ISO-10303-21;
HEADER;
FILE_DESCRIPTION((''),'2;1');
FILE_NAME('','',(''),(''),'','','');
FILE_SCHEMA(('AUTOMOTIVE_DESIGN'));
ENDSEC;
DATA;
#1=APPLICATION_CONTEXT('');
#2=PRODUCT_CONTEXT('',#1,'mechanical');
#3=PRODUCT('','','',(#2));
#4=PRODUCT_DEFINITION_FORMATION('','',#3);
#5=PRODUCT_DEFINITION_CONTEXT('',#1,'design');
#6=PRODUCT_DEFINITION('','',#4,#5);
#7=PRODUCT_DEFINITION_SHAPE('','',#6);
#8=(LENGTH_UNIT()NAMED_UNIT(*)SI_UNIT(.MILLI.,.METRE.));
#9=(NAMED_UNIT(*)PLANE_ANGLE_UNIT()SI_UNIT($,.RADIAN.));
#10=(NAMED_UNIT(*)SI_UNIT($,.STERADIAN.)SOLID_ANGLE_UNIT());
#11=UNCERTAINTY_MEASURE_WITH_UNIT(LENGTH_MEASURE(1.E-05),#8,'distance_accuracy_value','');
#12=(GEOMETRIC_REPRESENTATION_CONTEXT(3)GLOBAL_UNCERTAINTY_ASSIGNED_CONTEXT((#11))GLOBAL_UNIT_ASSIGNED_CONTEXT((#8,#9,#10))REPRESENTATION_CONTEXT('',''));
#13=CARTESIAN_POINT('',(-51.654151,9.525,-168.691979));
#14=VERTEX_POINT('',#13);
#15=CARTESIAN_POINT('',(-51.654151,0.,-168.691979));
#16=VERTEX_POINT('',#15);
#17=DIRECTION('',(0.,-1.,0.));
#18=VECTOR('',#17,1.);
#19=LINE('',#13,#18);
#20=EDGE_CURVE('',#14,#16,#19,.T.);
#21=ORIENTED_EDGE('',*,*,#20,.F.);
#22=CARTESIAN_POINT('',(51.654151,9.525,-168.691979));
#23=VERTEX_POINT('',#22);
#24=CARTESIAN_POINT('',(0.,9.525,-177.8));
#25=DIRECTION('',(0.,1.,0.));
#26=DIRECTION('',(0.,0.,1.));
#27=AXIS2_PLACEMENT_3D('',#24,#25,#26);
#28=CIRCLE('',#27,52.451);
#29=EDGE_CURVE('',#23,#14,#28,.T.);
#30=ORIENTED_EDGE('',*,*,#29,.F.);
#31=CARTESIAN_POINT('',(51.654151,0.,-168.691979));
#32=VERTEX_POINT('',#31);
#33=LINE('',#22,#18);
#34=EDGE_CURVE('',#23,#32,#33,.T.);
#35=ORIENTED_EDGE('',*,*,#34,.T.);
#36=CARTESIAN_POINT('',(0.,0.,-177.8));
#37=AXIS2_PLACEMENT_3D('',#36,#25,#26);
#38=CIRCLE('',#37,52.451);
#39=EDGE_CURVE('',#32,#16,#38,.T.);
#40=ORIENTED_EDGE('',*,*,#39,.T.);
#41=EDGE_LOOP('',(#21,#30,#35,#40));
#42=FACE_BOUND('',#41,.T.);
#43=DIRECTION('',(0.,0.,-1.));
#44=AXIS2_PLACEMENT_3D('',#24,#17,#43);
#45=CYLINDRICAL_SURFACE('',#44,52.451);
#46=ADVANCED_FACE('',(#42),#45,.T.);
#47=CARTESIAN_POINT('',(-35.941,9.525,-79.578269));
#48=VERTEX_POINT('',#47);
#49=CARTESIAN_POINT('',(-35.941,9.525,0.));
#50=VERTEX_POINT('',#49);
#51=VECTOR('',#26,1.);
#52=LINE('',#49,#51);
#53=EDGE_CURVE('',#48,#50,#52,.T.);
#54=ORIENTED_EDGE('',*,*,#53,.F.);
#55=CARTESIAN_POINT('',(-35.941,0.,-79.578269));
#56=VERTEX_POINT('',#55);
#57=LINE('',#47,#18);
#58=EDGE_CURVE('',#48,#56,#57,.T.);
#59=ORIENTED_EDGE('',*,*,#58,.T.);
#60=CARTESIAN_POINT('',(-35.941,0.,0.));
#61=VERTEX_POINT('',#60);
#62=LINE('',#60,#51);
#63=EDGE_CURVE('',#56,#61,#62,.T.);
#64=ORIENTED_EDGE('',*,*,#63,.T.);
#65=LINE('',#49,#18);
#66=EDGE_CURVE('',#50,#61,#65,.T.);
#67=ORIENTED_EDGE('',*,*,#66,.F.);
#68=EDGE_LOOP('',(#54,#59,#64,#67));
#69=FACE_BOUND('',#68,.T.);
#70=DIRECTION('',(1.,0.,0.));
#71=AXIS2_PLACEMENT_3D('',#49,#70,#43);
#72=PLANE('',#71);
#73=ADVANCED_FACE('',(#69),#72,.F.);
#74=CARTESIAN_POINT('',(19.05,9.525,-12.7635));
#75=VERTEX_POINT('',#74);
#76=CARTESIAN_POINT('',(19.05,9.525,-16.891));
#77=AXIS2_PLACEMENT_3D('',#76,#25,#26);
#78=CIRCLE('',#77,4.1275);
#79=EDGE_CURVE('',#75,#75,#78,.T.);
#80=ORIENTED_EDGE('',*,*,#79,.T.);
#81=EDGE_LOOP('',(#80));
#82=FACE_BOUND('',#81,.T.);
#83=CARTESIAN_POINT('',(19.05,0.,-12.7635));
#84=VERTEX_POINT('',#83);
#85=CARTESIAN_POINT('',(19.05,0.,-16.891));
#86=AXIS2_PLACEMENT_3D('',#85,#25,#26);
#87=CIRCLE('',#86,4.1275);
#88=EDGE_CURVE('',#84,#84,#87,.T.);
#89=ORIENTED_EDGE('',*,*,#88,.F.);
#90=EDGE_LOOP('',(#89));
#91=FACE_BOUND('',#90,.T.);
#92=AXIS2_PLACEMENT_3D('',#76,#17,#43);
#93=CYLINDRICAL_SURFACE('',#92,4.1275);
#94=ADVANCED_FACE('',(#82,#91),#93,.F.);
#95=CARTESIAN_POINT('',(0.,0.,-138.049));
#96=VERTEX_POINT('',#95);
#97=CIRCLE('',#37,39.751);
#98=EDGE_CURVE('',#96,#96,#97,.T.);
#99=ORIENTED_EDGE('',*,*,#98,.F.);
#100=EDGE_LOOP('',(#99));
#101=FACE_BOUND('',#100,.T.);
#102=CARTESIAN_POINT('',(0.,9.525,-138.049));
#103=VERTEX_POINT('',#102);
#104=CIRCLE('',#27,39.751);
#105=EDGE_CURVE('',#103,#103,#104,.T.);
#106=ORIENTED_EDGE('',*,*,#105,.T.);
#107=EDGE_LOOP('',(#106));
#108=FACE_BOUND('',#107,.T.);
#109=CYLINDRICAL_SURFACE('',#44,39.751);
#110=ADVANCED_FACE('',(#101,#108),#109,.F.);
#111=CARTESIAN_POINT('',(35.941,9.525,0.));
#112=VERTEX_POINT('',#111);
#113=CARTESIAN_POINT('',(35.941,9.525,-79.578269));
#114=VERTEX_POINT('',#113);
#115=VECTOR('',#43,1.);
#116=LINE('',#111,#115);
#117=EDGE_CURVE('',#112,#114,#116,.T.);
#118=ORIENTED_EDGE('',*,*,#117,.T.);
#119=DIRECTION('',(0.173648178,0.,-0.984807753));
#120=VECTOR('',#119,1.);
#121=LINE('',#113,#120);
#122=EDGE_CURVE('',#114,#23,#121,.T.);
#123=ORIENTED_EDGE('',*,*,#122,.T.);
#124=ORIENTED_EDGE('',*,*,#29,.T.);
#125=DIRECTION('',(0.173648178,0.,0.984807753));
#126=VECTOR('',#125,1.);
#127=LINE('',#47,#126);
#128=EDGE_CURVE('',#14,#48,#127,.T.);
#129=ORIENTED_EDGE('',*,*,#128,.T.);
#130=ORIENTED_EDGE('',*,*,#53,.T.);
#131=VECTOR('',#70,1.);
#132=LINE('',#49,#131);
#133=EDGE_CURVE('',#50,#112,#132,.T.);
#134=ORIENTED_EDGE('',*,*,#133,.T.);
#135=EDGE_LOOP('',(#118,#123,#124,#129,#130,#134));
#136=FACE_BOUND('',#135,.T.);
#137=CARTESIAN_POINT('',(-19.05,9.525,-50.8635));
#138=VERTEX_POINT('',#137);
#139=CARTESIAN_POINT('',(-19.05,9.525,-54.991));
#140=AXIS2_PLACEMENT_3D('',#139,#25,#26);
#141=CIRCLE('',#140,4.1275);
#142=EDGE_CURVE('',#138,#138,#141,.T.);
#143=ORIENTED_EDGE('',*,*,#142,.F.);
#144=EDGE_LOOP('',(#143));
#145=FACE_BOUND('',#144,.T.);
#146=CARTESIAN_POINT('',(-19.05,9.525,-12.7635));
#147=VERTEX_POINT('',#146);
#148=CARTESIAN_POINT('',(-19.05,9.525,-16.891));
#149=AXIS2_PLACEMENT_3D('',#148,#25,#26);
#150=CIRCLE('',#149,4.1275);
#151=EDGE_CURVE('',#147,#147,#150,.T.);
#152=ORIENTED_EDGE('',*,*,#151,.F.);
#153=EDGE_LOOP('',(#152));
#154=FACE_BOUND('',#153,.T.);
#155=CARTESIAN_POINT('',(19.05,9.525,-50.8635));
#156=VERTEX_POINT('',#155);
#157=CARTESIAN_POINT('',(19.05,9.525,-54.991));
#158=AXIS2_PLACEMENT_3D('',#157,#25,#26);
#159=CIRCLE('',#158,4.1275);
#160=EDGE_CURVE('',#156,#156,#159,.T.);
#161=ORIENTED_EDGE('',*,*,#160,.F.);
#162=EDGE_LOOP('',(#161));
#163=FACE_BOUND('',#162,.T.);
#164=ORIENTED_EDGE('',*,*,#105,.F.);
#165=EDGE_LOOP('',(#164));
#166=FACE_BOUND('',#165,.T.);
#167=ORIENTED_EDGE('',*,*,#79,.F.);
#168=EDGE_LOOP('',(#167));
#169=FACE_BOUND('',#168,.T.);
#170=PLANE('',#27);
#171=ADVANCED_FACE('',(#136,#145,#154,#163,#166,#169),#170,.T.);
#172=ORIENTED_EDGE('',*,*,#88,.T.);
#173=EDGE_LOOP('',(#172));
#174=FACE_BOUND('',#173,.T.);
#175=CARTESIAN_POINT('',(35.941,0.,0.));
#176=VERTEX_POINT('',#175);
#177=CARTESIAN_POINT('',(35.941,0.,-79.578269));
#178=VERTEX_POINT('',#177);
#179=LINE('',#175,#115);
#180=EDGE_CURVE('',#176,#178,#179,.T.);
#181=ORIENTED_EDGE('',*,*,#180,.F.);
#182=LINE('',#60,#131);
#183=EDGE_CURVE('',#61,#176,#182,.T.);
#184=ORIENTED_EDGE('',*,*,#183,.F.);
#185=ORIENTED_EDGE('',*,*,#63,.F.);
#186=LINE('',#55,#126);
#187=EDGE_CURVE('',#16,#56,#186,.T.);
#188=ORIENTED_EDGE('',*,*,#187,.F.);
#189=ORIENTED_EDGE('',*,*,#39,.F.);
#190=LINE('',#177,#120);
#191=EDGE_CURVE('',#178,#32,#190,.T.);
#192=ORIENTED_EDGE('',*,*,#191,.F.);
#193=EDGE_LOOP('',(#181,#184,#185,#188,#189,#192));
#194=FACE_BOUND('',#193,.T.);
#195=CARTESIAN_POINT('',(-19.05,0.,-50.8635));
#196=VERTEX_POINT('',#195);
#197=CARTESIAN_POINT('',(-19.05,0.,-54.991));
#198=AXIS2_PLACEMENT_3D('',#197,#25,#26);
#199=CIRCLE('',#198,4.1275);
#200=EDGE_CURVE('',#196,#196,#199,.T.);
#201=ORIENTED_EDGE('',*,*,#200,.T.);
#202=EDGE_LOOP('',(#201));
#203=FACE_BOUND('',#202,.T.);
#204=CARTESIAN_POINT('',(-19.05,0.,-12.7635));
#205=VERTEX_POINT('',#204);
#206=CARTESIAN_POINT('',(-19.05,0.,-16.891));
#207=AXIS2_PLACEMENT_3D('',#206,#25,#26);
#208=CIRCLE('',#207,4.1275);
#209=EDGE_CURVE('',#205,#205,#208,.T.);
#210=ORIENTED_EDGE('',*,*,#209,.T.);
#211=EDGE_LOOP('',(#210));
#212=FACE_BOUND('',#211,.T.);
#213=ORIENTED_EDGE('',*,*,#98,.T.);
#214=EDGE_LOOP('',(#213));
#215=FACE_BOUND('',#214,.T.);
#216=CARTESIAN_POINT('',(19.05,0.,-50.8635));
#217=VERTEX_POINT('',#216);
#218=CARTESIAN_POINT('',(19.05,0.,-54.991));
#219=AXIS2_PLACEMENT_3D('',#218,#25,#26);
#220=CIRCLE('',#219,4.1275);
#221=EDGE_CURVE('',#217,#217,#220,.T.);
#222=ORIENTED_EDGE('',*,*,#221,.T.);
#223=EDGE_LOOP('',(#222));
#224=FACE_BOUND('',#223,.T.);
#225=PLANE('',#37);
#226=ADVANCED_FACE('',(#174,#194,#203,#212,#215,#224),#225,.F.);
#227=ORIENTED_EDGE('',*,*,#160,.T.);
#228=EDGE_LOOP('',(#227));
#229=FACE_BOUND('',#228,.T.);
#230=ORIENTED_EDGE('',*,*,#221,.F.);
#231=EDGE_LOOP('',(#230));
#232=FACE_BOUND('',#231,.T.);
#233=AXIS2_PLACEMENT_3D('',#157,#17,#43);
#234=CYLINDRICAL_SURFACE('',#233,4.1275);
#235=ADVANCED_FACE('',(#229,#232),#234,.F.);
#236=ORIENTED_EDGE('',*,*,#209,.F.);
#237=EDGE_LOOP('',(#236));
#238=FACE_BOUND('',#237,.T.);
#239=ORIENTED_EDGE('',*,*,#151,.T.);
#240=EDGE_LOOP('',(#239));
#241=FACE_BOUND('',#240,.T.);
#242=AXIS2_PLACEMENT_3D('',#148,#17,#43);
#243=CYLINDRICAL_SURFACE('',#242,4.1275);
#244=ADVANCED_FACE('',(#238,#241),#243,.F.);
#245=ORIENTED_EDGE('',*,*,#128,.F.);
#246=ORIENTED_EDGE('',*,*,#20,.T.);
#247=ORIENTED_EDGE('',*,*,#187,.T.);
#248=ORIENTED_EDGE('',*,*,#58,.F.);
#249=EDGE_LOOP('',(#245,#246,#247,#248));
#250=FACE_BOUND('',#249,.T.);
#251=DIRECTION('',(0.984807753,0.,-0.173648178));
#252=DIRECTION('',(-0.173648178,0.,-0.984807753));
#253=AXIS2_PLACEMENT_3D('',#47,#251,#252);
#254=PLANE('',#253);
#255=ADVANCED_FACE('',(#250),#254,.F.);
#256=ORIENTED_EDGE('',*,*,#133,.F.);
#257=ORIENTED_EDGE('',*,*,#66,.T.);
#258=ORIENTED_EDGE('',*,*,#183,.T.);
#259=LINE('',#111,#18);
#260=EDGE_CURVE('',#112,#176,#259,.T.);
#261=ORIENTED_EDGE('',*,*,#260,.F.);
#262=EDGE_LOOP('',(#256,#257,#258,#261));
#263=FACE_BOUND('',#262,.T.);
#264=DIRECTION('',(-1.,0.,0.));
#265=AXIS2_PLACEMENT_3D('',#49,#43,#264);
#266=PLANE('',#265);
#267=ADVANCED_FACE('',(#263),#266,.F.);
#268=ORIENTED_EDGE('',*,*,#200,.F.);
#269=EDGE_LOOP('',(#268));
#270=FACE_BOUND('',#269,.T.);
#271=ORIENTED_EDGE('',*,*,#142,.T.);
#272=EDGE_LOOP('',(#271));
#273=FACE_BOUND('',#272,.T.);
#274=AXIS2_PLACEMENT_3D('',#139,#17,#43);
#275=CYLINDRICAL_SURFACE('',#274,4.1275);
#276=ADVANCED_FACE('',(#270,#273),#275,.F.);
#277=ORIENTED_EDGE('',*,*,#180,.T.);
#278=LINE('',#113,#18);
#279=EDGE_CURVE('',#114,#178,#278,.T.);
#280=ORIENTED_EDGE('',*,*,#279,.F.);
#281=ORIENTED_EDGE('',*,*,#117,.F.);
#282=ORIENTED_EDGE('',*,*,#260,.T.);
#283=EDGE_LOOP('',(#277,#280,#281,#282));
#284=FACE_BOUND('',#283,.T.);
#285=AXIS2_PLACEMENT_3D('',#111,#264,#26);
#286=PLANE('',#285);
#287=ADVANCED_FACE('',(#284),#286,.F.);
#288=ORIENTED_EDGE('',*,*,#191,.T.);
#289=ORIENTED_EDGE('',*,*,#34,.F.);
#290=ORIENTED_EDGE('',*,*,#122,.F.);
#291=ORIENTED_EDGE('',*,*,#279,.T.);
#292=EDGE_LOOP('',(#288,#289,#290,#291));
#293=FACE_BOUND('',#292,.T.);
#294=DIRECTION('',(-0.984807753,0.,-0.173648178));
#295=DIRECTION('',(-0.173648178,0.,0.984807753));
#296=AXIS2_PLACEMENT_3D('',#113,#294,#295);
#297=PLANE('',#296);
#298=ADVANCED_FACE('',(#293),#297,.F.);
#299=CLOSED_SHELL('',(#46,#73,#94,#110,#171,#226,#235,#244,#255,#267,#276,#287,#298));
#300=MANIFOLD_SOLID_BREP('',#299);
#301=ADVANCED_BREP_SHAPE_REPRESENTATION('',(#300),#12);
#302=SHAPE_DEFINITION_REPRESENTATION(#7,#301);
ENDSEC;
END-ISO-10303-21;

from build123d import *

# Parameters (mm, degrees)
SKETCH1_R           = 39.751
SKETCH1_R_2         = 4.1275
BOSS_EXTRUDE1_DEPTH = 9.525


with BuildPart() as part:
    # Sketch1 → Boss-Extrude1 (new body)
    with BuildSketch(Plane(origin=(0, 0, 0), x_dir=(1, 0, 0), z_dir=(0, 1, 0))):
        with BuildLine():
            Line((-35.941, 0), (35.941, 0))
            Line((35.941, 0), (35.941, 79.578269268))
            Line((35.941, 79.578269268), (51.654151453, 168.691979433))
            ThreePointArc((51.654151453, 168.691979433), (0, 230.251), (-51.654151453, 168.691979433))
            Line((-51.654151453, 168.691979433), (-35.941, 79.578269268))
            Line((-35.941, 79.578269268), (-35.941, 0))
        make_face()
        with Locations((0, 177.8)):
            Circle(SKETCH1_R, mode=Mode.SUBTRACT)
        with Locations((-19.05, 54.991)):
            Circle(SKETCH1_R_2, mode=Mode.SUBTRACT)
        with Locations((19.05, 54.991)):
            Circle(SKETCH1_R_2, mode=Mode.SUBTRACT)
        with Locations((19.05, 16.891)):
            Circle(SKETCH1_R_2, mode=Mode.SUBTRACT)
        with Locations((-19.05, 16.891)):
            Circle(SKETCH1_R_2, mode=Mode.SUBTRACT)
    extrude(amount=BOSS_EXTRUDE1_DEPTH)


solid = part.part
